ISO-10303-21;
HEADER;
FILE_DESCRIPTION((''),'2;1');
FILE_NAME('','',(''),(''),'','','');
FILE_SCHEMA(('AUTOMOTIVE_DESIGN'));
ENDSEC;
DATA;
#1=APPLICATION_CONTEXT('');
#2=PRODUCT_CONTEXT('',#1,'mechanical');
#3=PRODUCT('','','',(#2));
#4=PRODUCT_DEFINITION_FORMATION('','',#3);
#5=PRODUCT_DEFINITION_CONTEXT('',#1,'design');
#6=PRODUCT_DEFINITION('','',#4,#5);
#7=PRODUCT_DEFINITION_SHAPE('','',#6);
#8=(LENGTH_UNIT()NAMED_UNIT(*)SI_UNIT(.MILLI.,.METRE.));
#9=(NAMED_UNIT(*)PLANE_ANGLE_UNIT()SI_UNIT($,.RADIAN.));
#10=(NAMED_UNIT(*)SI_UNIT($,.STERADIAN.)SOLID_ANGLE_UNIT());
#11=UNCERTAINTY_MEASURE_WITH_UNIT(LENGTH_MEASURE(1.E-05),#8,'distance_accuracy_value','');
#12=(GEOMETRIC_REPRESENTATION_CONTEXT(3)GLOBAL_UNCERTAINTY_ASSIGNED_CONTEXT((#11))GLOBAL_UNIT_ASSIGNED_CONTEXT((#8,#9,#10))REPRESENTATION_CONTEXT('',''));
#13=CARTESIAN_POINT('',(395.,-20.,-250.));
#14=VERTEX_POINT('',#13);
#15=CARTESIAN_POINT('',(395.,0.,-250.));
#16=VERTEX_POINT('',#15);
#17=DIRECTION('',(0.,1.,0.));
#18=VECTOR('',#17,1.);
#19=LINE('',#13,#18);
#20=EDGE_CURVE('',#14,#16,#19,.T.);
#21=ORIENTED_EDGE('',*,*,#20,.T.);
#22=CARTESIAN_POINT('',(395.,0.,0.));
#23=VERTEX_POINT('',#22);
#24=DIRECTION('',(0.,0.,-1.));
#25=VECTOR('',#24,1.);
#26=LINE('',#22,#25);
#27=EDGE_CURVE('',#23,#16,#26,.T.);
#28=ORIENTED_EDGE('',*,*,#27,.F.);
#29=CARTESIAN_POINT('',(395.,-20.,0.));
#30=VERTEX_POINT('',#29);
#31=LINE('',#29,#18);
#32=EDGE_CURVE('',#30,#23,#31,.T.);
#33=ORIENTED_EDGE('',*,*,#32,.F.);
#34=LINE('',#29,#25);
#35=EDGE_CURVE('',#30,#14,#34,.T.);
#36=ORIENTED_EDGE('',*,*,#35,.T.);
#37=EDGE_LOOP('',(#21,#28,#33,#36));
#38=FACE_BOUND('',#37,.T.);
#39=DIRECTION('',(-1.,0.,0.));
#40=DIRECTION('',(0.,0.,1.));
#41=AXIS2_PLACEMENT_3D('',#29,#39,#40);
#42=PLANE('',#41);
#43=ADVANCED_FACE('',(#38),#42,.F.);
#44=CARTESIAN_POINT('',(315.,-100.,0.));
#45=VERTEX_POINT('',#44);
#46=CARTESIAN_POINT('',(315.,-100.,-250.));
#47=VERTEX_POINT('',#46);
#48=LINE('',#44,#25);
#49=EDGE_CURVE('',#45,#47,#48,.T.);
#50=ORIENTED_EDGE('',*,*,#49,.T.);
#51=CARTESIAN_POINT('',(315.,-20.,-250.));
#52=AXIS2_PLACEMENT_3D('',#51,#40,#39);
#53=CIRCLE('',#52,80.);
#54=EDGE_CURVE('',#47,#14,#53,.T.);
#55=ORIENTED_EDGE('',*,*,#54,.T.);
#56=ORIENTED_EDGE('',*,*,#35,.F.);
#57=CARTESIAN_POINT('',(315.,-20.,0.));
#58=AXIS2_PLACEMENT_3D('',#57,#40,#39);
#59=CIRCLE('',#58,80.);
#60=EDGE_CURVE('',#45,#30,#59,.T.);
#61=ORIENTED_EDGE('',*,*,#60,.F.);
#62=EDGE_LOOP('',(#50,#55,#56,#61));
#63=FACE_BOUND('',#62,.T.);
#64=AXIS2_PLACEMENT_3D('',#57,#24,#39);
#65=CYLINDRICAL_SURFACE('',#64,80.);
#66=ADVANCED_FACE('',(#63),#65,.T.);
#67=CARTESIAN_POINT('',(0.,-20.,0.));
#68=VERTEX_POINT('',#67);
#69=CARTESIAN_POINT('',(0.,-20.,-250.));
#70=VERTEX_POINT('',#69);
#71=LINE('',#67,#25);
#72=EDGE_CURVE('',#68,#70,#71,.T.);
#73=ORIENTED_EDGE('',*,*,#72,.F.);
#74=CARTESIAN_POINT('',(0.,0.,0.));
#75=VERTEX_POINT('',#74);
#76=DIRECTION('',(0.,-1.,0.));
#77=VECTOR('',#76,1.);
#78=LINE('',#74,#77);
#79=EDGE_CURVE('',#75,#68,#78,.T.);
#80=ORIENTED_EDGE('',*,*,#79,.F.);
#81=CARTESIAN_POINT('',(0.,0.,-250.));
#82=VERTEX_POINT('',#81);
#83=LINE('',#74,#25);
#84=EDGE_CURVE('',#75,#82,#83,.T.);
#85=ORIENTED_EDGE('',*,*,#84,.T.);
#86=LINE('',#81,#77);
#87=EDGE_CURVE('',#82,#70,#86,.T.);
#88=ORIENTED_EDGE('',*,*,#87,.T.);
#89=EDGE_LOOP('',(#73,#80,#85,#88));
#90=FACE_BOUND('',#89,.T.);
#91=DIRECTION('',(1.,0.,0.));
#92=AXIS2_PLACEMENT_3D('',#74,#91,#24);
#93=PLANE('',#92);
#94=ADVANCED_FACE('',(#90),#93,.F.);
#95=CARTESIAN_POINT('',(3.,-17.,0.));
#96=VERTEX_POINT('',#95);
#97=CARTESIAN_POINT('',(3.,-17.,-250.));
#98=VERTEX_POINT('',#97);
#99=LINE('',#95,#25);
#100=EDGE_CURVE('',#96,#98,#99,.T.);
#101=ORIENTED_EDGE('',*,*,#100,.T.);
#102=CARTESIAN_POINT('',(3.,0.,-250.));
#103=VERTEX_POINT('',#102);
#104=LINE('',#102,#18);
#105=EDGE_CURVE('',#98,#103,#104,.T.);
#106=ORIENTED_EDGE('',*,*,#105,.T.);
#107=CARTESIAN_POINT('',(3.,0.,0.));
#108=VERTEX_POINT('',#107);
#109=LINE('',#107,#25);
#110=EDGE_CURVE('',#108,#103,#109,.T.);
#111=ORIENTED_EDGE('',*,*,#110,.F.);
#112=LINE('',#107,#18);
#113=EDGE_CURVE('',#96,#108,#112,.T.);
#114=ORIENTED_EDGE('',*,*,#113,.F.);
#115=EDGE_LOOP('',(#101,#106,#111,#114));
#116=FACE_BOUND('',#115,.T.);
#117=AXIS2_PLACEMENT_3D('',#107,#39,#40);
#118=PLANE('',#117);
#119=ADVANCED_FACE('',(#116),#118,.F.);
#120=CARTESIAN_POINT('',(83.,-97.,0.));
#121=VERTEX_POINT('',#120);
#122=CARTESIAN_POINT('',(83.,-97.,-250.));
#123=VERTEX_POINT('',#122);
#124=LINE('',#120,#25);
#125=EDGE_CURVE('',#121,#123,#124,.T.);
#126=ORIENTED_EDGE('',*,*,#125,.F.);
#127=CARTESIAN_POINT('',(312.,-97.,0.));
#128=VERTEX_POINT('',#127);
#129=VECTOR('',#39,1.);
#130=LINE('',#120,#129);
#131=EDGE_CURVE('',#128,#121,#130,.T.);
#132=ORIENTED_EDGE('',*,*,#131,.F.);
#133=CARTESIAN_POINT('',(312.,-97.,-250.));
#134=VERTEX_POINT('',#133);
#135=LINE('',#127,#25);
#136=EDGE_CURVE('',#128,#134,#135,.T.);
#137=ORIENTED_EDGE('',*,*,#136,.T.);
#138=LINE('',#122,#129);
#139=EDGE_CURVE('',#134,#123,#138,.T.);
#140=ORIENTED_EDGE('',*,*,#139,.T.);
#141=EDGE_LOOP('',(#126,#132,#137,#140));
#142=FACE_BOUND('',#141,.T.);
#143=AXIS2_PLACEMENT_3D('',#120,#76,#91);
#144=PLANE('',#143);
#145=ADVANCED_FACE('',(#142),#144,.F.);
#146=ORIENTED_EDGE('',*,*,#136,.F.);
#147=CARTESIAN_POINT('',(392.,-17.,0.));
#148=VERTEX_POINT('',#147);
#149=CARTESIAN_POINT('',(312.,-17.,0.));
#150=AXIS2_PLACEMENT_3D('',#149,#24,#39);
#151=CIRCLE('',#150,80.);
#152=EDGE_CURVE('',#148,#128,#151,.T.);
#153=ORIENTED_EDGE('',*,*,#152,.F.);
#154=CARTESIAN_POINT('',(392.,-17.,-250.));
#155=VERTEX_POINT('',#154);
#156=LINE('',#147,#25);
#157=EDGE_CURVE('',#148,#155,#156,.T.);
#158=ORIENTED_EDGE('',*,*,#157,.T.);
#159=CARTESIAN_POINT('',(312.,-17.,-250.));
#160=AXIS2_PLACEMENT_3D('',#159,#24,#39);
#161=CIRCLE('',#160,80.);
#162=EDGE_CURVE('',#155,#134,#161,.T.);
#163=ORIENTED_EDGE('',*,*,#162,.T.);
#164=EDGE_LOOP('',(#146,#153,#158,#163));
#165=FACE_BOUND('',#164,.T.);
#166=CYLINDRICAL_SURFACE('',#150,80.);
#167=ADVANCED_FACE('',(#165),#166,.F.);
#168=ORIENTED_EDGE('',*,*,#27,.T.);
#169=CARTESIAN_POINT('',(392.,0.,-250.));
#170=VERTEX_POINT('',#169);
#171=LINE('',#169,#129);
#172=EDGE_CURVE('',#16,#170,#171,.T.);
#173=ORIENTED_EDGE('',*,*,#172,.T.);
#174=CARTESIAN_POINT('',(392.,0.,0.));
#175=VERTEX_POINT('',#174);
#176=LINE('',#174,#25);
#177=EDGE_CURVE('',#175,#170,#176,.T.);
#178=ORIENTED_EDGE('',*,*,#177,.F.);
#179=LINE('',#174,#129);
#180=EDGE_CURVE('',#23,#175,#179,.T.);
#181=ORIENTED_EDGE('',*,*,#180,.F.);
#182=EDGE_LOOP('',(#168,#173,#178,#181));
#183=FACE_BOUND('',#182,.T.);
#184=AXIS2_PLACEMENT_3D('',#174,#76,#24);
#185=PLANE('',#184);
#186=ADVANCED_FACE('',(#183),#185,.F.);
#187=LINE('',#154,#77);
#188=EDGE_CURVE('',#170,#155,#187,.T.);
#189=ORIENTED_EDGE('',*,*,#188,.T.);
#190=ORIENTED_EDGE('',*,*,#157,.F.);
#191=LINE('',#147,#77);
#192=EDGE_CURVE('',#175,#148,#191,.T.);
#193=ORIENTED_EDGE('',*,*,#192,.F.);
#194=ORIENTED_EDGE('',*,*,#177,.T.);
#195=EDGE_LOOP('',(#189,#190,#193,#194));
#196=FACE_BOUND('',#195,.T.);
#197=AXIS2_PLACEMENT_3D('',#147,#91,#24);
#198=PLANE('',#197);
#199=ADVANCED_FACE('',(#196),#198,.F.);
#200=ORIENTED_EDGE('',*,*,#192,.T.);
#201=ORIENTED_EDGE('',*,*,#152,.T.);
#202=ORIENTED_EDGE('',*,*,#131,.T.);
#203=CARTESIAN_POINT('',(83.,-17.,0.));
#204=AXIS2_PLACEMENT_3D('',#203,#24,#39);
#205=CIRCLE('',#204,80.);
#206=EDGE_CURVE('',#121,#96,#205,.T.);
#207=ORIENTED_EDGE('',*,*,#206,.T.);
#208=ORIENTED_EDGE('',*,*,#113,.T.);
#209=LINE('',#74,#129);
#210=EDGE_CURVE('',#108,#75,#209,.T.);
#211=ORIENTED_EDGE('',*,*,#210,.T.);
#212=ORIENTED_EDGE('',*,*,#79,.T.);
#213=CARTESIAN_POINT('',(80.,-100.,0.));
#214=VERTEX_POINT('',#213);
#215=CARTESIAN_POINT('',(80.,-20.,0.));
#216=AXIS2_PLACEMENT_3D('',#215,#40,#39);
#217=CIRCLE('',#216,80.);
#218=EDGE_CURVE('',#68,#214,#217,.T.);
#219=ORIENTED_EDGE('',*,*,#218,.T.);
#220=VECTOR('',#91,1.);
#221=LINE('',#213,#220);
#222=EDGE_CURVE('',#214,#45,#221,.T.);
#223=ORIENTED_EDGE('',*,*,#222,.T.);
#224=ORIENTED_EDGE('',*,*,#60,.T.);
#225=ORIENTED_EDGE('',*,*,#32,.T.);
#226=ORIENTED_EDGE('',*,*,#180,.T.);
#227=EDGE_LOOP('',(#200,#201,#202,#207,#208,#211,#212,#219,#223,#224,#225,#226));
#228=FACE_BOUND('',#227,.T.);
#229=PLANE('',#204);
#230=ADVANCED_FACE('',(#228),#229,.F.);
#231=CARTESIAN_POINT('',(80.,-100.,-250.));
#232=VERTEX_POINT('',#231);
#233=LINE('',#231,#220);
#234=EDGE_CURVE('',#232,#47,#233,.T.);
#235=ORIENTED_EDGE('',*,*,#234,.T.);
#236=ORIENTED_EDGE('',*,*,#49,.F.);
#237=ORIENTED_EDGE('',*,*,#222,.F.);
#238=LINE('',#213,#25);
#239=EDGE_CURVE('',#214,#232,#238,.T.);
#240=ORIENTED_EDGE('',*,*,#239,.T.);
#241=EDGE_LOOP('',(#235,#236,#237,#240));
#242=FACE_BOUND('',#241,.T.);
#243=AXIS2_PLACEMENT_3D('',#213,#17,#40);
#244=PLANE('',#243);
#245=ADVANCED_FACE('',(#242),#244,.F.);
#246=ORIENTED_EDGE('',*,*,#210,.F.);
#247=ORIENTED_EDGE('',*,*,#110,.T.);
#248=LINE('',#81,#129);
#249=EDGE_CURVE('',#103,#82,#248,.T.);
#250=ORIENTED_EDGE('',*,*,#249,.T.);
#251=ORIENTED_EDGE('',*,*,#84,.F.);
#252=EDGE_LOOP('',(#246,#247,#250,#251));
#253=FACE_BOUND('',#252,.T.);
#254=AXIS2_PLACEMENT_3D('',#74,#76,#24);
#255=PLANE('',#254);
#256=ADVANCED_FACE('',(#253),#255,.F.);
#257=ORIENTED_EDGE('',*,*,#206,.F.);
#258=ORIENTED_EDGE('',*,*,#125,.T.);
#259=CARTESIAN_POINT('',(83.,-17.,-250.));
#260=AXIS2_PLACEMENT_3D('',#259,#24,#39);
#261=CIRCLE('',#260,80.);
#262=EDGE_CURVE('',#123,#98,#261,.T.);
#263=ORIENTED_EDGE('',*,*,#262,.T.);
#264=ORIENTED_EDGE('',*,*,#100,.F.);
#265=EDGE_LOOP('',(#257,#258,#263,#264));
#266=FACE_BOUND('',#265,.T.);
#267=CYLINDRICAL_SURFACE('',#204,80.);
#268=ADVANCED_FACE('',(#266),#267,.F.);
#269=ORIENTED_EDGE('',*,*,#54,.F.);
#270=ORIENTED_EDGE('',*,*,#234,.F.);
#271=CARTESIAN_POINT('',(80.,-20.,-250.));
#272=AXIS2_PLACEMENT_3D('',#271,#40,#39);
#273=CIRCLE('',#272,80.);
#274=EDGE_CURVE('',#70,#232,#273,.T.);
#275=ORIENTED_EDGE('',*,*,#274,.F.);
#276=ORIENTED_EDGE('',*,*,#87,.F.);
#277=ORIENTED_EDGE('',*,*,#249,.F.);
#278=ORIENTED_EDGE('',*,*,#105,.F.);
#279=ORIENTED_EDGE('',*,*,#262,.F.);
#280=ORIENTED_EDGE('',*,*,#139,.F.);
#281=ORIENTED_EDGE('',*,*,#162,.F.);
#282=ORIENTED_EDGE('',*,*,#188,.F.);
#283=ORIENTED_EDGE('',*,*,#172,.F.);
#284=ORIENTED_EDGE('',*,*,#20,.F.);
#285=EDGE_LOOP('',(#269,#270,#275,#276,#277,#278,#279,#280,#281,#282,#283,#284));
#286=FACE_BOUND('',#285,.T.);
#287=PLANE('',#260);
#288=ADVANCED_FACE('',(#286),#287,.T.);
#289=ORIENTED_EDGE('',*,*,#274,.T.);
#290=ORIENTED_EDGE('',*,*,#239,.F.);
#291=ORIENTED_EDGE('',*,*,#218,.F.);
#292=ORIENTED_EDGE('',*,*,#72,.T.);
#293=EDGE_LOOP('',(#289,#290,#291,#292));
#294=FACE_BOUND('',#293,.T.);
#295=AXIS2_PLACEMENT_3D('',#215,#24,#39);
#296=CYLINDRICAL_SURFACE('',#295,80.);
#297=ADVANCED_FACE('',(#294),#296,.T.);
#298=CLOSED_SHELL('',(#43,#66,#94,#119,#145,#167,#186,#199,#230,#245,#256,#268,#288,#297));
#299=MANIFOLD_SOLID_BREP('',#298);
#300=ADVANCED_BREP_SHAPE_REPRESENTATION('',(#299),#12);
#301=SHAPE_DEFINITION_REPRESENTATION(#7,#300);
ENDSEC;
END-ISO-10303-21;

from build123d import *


with BuildPart() as part:
    # Sweep1: sweep along a path in Sketch1
    with BuildLine(Plane(origin=(0, 0, 0), x_dir=(1, 0, 0), z_dir=(0, 1, 0))) as sweep1_path:
        Line((197.5, 0), (197.5, 250))
    # Sketch4 → Sweep1 (sweep)
    with BuildSketch(Plane.XY):
        with BuildLine():
            Line((0, 0), (0, -20))
            ThreePointArc((0, -20), (23.431457505, -76.568542495), (80, -100))
            Line((80, -100), (315, -100))
            ThreePointArc((315, -100), (371.568542495, -76.568542495), (395, -20))
            Line((395, -20), (395, 0))
            Line((395, 0), (392, 0))
            Line((392, 0), (392, -17))
            ThreePointArc((392, -17), (368.568542495, -73.568542495), (312, -97))
            Line((312, -97), (83, -97))
            ThreePointArc((83, -97), (26.431457505, -73.568542495), (3, -17))
            Line((3, -17), (3, 0))
            Line((3, 0), (0, 0))
        make_face()
    sweep(path=sweep1_path.line)


solid = part.part
